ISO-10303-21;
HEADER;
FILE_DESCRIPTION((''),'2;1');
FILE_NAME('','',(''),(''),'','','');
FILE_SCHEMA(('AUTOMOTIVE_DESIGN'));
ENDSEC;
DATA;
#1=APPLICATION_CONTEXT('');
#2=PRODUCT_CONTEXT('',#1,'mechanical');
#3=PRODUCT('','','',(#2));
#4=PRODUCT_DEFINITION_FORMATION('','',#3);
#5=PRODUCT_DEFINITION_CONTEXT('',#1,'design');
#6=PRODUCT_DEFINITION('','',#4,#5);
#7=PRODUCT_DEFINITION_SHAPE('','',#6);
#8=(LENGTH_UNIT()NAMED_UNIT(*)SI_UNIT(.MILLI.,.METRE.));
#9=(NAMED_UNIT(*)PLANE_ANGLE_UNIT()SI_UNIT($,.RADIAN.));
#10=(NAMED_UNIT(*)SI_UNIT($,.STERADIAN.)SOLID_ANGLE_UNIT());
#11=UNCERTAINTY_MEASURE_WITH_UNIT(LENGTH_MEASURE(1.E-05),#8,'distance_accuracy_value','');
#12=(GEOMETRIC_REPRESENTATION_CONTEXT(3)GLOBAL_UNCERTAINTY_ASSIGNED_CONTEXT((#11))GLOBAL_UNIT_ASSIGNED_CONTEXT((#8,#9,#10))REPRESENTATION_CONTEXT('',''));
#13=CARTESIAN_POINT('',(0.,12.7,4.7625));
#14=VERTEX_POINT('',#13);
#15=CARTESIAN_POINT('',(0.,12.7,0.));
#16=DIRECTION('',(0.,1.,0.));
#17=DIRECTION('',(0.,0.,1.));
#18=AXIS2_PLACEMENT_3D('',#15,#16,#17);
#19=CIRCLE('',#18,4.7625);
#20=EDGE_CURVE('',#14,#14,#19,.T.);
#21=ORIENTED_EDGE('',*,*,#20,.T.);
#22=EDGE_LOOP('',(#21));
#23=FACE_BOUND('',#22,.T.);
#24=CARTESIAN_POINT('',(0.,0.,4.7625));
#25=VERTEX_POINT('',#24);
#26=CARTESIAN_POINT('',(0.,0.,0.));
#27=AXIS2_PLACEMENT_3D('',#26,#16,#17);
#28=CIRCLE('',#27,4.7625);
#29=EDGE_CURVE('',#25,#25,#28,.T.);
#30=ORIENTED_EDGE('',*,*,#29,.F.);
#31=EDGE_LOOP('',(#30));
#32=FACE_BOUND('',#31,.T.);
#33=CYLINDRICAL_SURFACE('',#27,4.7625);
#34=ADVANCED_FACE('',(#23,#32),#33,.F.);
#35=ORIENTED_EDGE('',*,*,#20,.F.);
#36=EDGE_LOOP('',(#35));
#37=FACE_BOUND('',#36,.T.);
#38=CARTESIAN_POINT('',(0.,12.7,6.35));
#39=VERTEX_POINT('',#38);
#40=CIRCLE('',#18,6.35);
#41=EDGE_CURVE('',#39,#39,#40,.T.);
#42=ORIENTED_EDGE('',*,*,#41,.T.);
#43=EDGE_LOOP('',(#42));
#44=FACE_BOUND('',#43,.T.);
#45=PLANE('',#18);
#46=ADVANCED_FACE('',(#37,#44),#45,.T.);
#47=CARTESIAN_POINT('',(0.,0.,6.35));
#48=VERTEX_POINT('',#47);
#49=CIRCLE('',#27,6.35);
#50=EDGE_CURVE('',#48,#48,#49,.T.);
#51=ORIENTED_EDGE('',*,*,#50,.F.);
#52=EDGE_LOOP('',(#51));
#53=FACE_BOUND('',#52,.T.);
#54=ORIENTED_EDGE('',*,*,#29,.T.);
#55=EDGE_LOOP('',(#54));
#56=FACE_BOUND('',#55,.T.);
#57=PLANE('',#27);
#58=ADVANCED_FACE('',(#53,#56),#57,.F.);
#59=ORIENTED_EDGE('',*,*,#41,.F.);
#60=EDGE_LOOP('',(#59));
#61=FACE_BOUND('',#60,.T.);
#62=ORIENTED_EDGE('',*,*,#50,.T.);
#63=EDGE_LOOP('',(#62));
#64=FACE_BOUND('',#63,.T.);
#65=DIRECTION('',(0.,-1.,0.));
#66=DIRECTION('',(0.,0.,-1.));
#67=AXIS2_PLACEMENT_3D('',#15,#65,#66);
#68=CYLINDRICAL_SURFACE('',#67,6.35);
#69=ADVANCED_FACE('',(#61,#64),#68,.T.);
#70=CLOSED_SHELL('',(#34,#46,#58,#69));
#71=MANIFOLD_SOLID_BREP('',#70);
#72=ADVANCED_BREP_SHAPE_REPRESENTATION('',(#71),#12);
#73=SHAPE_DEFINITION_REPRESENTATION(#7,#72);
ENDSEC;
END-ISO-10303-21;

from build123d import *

# Parameters (mm, degrees)
SKETCH1_R           = 6.35
BOSS_EXTRUDE1_DEPTH = 12.7
SKETCH2_R           = 4.7625
CUT_EXTRUDE1_DEPTH  = 16.554259867


with BuildPart() as part:
    # Sketch1 → Boss-Extrude1 (new body)
    with BuildSketch(Plane(origin=(0, 0, 0), x_dir=(1, 0, 0), z_dir=(0, 1, 0))):
        with Locations(Location((0, 0, 0), (0, 0, 270))):
            Circle(SKETCH1_R)
    extrude(amount=BOSS_EXTRUDE1_DEPTH)

    # Sketch2 → Cut-Extrude1 (cut, through all)
    with BuildSketch(Plane(origin=(0, 12.7, 0), x_dir=(1, 0, 0), z_dir=(0, 1, 0))):
        with Locations(Location((0, 0, 0), (0, 0, 270))):
            Circle(SKETCH2_R)
    extrude(amount=-CUT_EXTRUDE1_DEPTH, mode=Mode.SUBTRACT)


solid = part.part
